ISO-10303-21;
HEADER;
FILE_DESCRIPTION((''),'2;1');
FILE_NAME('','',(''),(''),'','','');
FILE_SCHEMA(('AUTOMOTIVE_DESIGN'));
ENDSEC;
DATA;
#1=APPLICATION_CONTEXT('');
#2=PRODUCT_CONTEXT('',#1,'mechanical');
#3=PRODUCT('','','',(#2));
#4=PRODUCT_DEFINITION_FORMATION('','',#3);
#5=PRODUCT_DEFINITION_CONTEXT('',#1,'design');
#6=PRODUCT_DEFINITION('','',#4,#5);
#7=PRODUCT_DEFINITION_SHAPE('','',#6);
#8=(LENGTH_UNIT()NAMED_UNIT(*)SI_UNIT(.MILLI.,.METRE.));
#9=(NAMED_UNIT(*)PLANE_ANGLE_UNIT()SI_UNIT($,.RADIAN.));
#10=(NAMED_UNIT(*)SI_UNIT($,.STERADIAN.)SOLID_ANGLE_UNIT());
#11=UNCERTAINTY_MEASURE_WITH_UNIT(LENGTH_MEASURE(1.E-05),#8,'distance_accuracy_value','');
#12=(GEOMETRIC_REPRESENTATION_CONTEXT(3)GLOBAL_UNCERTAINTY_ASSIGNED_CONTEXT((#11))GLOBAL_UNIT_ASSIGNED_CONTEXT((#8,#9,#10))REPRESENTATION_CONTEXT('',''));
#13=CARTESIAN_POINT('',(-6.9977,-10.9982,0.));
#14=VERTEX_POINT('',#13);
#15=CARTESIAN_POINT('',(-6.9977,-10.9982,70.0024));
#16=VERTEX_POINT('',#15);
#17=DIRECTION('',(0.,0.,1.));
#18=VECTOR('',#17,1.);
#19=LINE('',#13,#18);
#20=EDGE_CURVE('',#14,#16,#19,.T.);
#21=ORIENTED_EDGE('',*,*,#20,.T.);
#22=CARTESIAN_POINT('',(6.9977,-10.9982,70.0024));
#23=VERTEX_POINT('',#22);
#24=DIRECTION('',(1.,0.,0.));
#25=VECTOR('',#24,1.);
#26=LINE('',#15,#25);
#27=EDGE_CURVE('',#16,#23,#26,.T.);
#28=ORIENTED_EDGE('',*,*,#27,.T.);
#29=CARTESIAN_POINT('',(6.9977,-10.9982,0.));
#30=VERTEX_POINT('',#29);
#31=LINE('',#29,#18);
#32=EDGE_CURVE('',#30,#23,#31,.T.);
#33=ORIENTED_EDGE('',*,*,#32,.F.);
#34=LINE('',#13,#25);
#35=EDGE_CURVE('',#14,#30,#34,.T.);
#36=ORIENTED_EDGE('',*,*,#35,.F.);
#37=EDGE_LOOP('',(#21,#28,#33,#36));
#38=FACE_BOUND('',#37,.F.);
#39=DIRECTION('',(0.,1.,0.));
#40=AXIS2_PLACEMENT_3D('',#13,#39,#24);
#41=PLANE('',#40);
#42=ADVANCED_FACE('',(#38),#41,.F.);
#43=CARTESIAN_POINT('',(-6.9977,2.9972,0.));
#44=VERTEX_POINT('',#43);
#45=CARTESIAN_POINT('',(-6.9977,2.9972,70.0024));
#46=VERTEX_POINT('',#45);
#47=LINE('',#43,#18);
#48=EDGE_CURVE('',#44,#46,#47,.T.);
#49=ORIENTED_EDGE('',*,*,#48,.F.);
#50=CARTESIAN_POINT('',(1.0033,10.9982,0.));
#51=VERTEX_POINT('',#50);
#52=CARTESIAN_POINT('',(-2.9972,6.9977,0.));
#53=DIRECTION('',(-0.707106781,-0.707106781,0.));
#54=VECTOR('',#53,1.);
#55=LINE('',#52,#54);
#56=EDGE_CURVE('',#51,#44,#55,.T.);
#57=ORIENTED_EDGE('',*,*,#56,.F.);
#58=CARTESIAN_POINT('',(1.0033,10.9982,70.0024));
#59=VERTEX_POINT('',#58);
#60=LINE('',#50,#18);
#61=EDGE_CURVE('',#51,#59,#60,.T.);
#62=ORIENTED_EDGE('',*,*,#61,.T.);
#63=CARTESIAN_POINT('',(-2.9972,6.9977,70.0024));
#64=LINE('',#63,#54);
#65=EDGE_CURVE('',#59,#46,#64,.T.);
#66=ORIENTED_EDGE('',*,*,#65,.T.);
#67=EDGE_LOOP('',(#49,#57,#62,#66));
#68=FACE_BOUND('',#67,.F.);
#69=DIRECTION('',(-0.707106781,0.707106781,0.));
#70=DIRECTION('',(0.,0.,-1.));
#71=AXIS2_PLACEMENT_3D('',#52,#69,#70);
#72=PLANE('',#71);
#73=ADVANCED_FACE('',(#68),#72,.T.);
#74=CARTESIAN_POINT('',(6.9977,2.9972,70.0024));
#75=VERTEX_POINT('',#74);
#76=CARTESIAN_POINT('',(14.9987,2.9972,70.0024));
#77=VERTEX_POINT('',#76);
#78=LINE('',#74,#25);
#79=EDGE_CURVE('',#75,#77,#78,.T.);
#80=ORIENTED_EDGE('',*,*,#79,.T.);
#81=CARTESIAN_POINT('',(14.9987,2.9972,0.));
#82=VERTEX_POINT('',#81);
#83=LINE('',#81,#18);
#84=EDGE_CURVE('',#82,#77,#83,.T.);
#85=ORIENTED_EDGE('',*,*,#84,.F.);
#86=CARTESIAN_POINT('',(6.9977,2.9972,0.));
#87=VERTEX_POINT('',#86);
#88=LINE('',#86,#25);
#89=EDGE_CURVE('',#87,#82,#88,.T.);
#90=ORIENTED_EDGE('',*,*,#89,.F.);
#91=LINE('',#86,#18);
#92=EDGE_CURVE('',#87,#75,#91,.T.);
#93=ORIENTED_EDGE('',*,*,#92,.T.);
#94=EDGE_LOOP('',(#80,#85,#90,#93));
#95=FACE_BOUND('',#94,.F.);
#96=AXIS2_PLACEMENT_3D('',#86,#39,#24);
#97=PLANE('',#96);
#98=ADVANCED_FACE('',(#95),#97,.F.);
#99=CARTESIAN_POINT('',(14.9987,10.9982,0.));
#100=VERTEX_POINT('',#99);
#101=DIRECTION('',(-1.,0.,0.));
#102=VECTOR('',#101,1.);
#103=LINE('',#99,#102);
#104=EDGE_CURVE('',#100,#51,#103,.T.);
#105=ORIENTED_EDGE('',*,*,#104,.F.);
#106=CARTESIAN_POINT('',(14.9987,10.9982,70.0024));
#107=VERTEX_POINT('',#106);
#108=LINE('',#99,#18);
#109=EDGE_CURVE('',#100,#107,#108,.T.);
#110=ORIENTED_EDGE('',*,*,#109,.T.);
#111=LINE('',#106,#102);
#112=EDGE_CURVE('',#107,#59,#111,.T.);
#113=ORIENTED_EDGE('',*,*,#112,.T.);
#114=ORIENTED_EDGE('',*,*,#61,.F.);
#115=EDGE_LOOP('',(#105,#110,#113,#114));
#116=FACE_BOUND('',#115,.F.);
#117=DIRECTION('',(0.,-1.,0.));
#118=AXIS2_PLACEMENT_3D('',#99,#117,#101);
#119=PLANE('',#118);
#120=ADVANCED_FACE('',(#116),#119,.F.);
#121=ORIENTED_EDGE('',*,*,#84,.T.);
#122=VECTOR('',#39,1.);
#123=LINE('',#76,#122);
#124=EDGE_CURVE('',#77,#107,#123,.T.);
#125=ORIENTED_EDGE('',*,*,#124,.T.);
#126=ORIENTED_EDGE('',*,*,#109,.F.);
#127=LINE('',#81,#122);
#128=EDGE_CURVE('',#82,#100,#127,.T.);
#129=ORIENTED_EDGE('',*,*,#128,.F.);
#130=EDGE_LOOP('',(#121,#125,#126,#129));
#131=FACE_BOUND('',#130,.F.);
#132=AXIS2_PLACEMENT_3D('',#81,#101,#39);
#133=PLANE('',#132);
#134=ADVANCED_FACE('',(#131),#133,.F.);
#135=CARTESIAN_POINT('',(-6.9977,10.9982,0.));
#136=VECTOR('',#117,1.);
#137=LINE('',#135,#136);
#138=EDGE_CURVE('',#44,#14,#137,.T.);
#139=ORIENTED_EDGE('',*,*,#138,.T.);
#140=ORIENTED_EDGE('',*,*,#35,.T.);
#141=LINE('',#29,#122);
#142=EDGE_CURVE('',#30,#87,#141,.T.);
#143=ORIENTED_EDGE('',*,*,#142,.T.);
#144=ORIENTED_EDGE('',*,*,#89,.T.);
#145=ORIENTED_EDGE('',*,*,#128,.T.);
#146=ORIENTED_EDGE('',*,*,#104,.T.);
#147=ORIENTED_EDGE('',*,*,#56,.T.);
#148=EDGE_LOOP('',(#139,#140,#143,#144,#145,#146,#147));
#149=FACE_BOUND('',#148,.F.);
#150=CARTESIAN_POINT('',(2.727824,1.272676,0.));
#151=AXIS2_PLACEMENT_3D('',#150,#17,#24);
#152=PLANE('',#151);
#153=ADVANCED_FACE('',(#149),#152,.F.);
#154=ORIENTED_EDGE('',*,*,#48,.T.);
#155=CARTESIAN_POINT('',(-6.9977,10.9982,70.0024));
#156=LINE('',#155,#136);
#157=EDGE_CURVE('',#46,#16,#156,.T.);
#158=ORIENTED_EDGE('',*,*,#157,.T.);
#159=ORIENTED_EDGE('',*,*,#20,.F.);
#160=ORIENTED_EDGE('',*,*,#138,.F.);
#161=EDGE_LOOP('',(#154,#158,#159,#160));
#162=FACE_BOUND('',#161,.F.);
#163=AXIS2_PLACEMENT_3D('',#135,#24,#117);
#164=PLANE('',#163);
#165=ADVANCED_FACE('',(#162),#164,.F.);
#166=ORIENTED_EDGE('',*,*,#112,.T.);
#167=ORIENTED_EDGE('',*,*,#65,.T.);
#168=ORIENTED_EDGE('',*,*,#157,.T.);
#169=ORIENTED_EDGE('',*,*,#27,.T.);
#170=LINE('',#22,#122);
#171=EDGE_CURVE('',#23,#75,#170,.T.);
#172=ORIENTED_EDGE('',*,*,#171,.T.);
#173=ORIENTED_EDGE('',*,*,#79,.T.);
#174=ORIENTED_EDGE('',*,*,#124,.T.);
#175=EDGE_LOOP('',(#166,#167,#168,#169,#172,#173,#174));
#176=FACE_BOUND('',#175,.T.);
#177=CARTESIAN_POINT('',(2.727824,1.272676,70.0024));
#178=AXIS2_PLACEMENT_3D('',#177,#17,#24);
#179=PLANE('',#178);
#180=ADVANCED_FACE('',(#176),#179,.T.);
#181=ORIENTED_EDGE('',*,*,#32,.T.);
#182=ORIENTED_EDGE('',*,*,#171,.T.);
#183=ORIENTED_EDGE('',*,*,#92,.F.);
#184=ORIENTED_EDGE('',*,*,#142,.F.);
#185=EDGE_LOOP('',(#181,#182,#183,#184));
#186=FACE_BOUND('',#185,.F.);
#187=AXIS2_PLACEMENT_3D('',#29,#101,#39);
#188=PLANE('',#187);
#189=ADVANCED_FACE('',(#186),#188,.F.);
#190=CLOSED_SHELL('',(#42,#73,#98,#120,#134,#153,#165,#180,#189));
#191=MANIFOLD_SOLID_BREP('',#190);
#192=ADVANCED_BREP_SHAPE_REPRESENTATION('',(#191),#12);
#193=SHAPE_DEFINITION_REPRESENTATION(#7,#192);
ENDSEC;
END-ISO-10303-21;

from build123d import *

# Parameters (mm, degrees)
F1_DEPTH = 70.0024
F2_SIZE  = 8.001


with BuildPart() as f1:
    # F0 (on Top) → F1 (new body)
    with BuildSketch(Plane.XY):
        Polygon((-6.9977, -10.9982), (6.9977, -10.9982), (6.9977, 2.9972), (14.9987, 2.9972), (14.9987, 10.9982), (6.9977, 10.9982), (-6.9977, 10.9982), align=None)
    extrude(amount=F1_DEPTH)

    # F2
    f2_edges = [f1.edges().sort_by_distance(p)[0] for p in [
        (-6.9977, 10.9982, 35.0012),
    ]]
    chamfer(f2_edges, length=F2_SIZE)


solid = f1.part
